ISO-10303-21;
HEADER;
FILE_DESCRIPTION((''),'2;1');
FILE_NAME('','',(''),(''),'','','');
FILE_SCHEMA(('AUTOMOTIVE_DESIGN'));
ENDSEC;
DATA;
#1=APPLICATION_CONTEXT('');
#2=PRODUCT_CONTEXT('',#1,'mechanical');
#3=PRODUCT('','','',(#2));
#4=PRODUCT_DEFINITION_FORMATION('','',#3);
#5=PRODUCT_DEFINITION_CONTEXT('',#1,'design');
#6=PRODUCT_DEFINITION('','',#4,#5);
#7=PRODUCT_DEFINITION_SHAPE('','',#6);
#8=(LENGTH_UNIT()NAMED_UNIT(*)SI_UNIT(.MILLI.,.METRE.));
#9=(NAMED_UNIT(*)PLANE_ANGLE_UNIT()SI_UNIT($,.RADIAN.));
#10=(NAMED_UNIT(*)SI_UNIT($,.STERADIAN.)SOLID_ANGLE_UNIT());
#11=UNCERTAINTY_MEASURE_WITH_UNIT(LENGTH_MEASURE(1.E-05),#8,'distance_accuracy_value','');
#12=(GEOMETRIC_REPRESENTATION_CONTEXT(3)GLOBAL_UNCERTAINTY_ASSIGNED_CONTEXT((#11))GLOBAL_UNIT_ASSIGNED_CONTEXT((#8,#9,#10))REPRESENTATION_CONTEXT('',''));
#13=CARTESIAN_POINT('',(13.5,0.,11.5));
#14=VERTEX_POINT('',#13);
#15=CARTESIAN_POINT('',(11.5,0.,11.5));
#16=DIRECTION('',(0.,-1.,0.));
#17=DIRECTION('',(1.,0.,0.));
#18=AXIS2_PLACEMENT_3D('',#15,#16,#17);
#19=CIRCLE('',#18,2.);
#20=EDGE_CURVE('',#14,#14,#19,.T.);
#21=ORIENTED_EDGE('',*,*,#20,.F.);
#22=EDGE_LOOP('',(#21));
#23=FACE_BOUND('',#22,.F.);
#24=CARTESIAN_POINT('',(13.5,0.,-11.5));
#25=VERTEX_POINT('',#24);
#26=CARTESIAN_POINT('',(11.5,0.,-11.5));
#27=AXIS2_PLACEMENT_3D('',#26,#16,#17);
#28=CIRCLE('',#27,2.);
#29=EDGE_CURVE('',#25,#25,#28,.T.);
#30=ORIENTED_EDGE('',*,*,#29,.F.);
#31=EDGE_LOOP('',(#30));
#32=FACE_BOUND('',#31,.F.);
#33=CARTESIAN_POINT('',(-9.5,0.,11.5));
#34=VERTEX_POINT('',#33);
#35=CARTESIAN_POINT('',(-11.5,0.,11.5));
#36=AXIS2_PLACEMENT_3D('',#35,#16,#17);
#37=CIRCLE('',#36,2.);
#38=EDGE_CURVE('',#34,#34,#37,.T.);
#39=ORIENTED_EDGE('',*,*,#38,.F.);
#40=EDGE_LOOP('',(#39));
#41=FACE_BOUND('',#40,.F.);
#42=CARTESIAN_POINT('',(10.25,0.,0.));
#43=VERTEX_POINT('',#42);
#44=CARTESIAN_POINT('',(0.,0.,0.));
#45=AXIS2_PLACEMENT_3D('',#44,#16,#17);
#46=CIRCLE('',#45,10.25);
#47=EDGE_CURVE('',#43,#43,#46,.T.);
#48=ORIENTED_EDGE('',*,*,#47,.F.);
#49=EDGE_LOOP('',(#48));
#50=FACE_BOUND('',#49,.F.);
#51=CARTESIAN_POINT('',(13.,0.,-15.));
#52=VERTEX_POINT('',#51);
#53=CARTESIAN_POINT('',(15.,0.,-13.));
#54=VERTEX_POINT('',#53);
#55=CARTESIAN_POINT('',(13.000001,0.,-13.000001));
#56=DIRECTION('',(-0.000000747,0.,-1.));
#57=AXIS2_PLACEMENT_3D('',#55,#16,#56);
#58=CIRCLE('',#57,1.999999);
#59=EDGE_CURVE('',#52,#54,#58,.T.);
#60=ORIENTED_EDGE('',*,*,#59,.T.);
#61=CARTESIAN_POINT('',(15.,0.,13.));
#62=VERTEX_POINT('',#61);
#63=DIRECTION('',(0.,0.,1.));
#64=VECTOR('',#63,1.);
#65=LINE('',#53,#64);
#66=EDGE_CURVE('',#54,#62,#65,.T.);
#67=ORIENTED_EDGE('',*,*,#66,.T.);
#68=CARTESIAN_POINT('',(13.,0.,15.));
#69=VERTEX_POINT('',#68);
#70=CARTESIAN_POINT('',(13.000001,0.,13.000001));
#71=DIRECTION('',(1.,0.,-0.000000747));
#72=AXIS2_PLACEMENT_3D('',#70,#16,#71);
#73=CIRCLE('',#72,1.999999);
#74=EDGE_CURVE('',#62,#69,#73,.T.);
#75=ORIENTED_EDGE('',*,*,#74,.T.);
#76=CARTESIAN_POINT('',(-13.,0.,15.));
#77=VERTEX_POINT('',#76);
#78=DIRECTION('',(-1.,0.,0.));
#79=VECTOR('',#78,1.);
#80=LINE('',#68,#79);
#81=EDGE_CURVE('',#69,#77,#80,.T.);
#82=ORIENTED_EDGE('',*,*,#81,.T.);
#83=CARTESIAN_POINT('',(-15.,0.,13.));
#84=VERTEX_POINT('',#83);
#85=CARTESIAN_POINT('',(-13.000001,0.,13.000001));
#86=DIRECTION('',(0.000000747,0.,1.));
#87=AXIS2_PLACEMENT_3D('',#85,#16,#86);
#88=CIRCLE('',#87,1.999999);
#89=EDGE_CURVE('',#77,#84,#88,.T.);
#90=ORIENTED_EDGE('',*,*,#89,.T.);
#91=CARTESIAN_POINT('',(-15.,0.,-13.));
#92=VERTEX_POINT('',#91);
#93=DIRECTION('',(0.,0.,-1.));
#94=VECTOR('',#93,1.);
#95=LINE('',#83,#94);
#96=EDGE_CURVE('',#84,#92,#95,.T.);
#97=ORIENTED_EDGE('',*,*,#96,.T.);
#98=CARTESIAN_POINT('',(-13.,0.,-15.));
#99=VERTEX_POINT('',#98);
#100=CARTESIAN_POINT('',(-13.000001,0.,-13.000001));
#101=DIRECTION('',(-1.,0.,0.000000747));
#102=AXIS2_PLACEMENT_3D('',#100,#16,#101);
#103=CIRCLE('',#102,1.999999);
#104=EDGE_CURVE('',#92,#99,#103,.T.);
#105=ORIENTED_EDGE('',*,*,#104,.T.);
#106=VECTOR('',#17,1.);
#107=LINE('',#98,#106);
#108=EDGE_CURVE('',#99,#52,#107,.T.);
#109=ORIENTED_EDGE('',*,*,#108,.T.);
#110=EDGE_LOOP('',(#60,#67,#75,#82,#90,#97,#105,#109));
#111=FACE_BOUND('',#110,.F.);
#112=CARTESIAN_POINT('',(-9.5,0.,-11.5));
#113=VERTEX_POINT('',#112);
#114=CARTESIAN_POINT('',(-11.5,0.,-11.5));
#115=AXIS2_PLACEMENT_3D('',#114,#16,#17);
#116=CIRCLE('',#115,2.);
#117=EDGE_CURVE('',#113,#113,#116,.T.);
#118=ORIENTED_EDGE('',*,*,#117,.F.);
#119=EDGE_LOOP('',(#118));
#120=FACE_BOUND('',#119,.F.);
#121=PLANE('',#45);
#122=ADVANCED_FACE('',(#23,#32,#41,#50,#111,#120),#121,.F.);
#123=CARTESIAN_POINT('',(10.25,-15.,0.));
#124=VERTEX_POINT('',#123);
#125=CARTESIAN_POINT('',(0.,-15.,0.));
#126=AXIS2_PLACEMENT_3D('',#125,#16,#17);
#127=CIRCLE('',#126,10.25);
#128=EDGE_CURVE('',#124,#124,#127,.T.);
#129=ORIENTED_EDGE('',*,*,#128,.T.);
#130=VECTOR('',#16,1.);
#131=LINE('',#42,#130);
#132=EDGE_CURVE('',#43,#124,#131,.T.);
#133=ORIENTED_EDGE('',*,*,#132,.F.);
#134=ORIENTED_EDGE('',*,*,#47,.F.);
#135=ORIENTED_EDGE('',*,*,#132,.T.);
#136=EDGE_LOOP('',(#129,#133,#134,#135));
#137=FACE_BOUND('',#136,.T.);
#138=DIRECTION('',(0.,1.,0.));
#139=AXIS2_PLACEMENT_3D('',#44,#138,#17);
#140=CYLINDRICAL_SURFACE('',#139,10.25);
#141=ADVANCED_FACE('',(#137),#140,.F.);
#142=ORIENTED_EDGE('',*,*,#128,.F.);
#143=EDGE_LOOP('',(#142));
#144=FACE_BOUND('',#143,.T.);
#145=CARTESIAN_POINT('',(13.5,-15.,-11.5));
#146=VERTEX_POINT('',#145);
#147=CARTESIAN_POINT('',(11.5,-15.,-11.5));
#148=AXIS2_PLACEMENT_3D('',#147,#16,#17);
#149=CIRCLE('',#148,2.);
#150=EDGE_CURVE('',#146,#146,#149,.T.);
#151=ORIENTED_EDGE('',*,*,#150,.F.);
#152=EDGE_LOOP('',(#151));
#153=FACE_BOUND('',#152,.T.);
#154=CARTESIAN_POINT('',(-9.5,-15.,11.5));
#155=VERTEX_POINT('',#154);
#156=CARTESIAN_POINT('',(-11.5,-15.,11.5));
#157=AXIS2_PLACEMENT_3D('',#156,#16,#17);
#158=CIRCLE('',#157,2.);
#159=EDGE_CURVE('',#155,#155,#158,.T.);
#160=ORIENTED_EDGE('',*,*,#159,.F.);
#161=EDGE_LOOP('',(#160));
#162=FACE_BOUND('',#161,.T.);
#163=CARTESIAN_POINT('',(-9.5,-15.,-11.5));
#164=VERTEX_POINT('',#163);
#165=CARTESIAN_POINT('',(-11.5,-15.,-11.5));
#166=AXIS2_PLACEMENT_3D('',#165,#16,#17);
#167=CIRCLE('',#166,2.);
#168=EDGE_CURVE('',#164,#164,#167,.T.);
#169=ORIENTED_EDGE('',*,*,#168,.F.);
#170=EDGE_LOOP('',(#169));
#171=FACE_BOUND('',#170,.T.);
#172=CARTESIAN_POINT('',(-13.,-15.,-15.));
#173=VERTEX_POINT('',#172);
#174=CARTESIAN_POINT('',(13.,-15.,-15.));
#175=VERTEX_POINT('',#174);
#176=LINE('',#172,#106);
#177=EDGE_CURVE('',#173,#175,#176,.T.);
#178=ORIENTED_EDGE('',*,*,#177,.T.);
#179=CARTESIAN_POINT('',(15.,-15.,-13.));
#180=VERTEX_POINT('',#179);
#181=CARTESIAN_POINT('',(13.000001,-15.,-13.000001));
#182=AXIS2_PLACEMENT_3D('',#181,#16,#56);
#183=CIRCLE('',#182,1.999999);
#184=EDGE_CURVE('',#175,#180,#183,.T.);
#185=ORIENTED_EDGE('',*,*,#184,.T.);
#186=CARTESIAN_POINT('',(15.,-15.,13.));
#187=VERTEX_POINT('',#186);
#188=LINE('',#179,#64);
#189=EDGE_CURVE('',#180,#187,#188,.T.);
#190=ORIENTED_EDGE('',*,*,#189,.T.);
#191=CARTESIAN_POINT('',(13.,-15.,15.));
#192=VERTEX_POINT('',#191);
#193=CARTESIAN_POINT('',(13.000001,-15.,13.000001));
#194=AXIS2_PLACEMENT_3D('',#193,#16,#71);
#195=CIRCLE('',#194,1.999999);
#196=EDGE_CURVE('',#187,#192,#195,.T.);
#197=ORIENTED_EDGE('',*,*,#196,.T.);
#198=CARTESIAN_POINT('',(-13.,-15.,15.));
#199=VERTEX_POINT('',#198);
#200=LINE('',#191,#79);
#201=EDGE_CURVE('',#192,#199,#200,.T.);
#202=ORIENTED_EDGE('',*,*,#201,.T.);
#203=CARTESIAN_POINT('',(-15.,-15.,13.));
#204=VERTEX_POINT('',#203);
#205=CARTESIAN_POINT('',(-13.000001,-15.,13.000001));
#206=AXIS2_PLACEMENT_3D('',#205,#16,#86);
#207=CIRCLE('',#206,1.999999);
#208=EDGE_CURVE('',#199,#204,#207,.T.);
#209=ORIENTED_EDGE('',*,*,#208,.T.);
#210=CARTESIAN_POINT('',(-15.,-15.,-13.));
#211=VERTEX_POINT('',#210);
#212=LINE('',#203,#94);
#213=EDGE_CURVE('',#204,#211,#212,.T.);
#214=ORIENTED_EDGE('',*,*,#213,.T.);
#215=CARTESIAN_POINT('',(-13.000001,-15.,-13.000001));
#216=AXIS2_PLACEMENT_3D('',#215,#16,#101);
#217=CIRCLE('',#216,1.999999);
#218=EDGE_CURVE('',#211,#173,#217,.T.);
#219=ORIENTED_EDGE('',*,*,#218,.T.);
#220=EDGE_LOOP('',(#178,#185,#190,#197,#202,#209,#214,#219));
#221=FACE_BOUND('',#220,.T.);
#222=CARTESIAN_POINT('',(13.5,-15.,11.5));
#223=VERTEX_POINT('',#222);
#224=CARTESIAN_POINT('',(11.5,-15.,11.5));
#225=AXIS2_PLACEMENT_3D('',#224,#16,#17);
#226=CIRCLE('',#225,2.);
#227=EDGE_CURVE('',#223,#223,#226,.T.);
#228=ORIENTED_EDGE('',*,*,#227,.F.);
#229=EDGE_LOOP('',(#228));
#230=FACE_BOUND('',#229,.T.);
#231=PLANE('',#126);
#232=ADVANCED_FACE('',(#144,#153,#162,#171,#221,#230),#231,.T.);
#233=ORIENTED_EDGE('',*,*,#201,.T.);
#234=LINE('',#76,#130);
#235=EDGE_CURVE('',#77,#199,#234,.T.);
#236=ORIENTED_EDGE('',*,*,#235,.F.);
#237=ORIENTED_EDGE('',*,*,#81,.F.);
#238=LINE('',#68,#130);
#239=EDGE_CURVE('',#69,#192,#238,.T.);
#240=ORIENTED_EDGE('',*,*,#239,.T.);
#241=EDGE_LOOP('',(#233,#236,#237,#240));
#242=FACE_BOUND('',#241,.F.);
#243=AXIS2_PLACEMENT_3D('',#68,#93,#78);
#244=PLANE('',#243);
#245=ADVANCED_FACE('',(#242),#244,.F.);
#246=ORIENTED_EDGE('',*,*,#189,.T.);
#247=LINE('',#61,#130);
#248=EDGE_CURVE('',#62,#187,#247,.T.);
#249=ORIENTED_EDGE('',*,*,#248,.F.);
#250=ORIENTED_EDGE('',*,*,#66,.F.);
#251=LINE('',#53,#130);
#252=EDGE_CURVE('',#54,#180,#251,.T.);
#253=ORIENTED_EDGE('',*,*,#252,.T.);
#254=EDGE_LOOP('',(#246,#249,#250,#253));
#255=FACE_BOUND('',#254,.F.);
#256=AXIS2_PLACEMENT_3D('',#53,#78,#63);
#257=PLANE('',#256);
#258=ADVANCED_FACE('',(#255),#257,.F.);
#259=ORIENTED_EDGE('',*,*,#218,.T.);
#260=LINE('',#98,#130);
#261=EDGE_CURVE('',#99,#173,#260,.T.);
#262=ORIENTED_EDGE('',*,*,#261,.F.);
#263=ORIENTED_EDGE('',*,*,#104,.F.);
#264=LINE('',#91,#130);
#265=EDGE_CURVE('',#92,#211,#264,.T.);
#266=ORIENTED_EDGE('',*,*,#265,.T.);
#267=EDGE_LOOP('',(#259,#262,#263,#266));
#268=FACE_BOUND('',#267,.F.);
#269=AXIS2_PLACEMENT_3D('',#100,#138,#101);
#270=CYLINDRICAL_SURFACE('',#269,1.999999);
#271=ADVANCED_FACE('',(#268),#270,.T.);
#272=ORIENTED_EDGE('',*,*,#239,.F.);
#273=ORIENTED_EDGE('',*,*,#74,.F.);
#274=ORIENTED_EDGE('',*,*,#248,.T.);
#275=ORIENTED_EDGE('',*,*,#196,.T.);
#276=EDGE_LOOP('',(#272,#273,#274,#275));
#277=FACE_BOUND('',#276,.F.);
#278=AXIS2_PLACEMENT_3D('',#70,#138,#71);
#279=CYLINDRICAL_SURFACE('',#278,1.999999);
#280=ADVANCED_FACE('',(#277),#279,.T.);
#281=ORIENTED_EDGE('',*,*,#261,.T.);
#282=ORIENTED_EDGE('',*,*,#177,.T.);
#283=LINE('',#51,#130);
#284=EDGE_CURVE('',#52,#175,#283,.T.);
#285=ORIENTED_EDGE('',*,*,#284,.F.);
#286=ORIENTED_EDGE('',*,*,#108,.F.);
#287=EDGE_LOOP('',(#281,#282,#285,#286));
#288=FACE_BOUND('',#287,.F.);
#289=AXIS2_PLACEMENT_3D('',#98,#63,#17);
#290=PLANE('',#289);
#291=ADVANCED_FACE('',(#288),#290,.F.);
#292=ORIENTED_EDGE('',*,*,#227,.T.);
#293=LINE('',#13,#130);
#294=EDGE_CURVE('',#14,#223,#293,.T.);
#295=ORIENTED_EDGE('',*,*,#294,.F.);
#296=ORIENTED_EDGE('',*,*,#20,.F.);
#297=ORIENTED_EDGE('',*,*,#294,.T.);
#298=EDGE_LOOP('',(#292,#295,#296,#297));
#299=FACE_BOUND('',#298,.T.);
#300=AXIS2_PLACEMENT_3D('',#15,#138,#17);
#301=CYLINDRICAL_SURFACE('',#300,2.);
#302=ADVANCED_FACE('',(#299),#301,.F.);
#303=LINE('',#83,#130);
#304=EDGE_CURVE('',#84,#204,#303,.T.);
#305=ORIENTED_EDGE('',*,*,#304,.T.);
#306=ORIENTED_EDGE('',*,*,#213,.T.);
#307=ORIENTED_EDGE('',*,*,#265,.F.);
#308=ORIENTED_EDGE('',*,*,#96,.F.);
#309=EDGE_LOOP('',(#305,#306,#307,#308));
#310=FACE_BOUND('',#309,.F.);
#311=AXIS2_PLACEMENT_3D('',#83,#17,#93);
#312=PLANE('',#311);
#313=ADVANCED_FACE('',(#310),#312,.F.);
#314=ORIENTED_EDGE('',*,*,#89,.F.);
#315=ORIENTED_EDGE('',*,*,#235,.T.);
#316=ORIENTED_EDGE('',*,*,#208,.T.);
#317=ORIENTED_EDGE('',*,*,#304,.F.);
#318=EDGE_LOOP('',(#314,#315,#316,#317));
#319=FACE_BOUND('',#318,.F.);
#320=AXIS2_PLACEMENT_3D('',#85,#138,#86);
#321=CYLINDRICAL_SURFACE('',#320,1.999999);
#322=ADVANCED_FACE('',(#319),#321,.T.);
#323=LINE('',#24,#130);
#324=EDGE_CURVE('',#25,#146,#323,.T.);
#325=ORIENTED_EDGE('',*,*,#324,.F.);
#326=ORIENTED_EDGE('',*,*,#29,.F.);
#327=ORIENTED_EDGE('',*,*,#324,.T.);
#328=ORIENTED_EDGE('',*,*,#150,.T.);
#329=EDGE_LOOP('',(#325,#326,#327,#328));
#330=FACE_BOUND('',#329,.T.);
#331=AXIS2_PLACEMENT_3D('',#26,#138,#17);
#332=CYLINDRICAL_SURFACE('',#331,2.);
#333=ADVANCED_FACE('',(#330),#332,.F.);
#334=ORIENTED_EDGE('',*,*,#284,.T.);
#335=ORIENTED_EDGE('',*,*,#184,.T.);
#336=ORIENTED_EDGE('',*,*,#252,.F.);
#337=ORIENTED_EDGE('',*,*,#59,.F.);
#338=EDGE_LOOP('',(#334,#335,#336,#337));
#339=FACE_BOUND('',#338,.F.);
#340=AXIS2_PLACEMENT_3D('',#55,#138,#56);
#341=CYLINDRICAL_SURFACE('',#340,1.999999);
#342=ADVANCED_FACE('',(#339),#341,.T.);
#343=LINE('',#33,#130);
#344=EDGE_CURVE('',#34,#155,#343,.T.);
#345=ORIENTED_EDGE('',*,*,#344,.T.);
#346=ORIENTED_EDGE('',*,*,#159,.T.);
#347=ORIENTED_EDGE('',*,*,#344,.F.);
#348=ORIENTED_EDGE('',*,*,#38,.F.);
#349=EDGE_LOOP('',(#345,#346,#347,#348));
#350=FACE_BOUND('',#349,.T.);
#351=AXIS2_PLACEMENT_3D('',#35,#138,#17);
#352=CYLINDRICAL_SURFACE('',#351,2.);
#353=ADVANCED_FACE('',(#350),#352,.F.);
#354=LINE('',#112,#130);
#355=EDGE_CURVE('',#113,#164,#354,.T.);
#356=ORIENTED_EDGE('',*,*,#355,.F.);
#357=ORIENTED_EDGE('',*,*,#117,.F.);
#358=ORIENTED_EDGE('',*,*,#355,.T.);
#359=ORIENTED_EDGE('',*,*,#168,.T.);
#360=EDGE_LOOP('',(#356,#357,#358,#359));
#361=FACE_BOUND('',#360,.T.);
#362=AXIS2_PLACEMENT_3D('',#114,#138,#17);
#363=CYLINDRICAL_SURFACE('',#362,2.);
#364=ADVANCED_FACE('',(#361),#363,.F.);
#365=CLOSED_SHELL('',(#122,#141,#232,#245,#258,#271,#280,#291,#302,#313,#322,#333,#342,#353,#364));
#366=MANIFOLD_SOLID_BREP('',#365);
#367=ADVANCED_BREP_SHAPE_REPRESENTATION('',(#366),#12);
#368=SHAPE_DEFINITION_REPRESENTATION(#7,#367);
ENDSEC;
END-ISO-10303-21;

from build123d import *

# Parameters (mm, degrees)
F0_R     = 2
F0_R_2   = 10.25
F1_DEPTH = 15


with BuildPart() as f1:
    # F0 (on Front) → F1 (new body)
    with BuildSketch(Plane.XZ):
        with BuildLine():
            Line((13, 15), (-13, 15))
            ThreePointArc((-13, 15), (-14.414214, 14.414214), (-15, 13))
            Line((-15, 13), (-15, -13))
            ThreePointArc((-15, -13), (-14.414214, -14.414214), (-13, -15))
            Line((-13, -15), (13, -15))
            ThreePointArc((13, -15), (14.414214, -14.414214), (15, -13))
            Line((15, -13), (15, 13))
            ThreePointArc((15, 13), (14.414214, 14.414214), (13, 15))
        make_face()
        with Locations((-11.5, -11.5)):
            Circle(F0_R, mode=Mode.SUBTRACT)
        with Locations((11.5, -11.5)):
            Circle(F0_R, mode=Mode.SUBTRACT)
        with Locations((-11.5, 11.5)):
            Circle(F0_R, mode=Mode.SUBTRACT)
        Circle(F0_R_2, mode=Mode.SUBTRACT)
        with Locations((11.5, 11.5)):
            Circle(F0_R, mode=Mode.SUBTRACT)
    extrude(amount=F1_DEPTH)


solid = f1.part
